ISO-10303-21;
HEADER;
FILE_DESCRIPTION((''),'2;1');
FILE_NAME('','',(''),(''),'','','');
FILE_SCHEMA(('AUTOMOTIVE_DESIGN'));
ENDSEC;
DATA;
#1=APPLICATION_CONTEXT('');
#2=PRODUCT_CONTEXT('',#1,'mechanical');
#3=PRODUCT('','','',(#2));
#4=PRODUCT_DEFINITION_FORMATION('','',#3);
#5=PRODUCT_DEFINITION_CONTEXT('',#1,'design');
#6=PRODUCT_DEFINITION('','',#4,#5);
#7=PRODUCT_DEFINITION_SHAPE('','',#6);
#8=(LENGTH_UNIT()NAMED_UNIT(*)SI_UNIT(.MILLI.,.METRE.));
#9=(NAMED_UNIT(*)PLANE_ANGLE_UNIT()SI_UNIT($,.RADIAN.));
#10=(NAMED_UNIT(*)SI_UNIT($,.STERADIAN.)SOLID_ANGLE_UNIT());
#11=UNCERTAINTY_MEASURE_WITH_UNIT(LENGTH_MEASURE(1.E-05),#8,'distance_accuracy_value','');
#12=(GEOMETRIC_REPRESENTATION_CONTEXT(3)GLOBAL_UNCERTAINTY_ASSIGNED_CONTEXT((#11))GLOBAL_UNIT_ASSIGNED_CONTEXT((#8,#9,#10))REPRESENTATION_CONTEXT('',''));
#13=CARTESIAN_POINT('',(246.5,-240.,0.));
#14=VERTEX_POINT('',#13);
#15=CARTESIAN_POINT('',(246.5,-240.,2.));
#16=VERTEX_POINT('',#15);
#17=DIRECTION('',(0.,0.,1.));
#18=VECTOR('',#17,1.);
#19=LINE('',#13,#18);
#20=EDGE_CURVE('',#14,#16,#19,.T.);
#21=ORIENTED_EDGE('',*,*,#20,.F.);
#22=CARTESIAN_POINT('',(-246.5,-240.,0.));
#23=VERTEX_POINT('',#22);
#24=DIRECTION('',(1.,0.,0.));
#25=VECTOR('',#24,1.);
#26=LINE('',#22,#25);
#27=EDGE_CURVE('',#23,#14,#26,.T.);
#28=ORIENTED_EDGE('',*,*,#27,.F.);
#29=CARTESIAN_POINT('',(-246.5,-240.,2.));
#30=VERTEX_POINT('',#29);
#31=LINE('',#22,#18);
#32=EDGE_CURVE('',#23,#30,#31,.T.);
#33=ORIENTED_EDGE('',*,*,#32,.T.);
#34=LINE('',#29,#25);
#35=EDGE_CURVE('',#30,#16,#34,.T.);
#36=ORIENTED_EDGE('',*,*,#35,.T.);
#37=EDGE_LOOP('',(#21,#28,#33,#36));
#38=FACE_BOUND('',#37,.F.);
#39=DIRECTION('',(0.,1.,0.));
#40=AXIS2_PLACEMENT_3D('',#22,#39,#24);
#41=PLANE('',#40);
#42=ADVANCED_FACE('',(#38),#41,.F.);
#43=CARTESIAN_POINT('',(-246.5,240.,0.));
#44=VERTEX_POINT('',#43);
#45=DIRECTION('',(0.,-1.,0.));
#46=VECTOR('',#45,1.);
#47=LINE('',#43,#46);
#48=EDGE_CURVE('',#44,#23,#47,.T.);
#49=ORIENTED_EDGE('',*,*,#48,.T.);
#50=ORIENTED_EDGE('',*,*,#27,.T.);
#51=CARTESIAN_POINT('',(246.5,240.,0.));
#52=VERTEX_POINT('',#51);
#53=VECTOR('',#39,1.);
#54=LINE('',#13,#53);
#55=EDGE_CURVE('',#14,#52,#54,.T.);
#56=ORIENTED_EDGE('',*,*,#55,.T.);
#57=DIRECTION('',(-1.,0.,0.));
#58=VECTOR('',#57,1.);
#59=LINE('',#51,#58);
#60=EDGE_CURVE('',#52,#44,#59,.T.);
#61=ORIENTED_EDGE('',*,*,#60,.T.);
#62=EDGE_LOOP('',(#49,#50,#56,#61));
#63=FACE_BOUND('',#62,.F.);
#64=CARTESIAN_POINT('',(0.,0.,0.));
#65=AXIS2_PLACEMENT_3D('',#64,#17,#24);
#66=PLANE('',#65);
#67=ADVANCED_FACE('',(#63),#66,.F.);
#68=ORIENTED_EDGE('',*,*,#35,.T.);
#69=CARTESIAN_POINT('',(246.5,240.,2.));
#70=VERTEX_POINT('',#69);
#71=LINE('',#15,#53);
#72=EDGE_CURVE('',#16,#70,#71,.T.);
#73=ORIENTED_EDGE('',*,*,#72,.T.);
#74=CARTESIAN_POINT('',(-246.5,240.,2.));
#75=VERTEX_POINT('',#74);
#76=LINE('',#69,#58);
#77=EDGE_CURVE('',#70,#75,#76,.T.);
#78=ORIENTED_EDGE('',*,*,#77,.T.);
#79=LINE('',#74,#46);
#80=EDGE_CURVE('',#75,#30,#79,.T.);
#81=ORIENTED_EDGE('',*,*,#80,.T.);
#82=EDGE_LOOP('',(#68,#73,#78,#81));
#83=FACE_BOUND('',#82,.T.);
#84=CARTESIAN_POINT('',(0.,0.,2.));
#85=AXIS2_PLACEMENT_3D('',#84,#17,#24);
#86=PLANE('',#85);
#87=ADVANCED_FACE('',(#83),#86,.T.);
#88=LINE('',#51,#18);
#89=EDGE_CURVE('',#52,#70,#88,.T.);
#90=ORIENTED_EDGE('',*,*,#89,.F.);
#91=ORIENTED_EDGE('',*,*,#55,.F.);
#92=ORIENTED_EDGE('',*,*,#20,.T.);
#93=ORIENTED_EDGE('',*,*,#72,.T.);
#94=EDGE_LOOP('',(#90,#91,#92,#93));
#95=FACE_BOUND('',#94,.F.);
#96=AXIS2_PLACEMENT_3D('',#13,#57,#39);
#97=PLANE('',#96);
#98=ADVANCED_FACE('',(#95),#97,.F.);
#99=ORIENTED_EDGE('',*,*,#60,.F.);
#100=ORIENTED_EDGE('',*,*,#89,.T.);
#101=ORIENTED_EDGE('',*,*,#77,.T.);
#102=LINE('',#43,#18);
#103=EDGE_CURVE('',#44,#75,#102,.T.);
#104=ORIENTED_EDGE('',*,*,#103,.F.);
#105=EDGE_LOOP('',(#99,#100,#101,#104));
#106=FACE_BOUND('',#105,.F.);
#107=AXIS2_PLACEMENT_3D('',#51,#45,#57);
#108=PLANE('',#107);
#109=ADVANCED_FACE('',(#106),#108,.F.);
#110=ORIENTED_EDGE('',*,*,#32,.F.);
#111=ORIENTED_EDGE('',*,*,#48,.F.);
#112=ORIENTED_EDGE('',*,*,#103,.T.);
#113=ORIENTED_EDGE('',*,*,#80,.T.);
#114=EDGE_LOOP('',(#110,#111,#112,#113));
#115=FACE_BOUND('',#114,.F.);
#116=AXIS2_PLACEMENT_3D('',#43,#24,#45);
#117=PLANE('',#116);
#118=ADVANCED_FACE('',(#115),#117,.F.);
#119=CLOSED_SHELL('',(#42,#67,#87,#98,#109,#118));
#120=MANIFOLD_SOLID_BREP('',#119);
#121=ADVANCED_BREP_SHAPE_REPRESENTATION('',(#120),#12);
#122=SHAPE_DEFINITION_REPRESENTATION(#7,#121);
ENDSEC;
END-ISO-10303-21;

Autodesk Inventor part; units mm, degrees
ref_plane "YZ Plane" through (0, 0, 0) normal (1, 0, 0) x (0, 1, 0)
ref_plane "XZ Plane" through (0, 0, 0) normal (0, 1, 0) x (-1, 0, 0)
ref_plane "XY Plane" through (0, 0, 0) normal (0, 0, 1) x (1, 0, 0)
sketch "Sketch1" plane through (0, 0, 0) normal (0, 0, 1) x (1, 0, 0)
  line L0 (285, 285) -> (-285, -285) construction
  line L1 (-246.5, -240) -> (246.5, -240)
  line L2 (246.5, -240) -> (246.5, 240)
  line L3 (246.5, 240) -> (-246.5, 240)
  line L4 (-246.5, 240) -> (-246.5, -240)
  line L5 (-246.5, -240) -> (246.5, 240) construction
  line L6 (246.5, -240) -> (-246.5, 240) construction
  point P0 (0, 0)
  dimension "d2" = 493
  dimension "d18" = 480
extrude "Plate1" add sketch "Sketch1" along normal blind 2
equation "\"d3\" = Thickness"
equation "\"BendRadius\" = Thickness"
equation "\"BendReliefWidth\" = Thickness"
equation "\"BendReliefDepth\" = 0.5 * Thickness"
equation "\"CornerReliefSize\" = 4 * Thickness"
equation "\"MinimumRemnant\" = 2 * Thickness"
equation "\"TransitionRadius\" = BendRadius"
equation "\"JacobiRadiusSize\" = BendRadius"
equation "\"GapSize\" = Thickness"
equation "\"Thickness\" = 2"
properties part number "PNS waste water bin 02"
